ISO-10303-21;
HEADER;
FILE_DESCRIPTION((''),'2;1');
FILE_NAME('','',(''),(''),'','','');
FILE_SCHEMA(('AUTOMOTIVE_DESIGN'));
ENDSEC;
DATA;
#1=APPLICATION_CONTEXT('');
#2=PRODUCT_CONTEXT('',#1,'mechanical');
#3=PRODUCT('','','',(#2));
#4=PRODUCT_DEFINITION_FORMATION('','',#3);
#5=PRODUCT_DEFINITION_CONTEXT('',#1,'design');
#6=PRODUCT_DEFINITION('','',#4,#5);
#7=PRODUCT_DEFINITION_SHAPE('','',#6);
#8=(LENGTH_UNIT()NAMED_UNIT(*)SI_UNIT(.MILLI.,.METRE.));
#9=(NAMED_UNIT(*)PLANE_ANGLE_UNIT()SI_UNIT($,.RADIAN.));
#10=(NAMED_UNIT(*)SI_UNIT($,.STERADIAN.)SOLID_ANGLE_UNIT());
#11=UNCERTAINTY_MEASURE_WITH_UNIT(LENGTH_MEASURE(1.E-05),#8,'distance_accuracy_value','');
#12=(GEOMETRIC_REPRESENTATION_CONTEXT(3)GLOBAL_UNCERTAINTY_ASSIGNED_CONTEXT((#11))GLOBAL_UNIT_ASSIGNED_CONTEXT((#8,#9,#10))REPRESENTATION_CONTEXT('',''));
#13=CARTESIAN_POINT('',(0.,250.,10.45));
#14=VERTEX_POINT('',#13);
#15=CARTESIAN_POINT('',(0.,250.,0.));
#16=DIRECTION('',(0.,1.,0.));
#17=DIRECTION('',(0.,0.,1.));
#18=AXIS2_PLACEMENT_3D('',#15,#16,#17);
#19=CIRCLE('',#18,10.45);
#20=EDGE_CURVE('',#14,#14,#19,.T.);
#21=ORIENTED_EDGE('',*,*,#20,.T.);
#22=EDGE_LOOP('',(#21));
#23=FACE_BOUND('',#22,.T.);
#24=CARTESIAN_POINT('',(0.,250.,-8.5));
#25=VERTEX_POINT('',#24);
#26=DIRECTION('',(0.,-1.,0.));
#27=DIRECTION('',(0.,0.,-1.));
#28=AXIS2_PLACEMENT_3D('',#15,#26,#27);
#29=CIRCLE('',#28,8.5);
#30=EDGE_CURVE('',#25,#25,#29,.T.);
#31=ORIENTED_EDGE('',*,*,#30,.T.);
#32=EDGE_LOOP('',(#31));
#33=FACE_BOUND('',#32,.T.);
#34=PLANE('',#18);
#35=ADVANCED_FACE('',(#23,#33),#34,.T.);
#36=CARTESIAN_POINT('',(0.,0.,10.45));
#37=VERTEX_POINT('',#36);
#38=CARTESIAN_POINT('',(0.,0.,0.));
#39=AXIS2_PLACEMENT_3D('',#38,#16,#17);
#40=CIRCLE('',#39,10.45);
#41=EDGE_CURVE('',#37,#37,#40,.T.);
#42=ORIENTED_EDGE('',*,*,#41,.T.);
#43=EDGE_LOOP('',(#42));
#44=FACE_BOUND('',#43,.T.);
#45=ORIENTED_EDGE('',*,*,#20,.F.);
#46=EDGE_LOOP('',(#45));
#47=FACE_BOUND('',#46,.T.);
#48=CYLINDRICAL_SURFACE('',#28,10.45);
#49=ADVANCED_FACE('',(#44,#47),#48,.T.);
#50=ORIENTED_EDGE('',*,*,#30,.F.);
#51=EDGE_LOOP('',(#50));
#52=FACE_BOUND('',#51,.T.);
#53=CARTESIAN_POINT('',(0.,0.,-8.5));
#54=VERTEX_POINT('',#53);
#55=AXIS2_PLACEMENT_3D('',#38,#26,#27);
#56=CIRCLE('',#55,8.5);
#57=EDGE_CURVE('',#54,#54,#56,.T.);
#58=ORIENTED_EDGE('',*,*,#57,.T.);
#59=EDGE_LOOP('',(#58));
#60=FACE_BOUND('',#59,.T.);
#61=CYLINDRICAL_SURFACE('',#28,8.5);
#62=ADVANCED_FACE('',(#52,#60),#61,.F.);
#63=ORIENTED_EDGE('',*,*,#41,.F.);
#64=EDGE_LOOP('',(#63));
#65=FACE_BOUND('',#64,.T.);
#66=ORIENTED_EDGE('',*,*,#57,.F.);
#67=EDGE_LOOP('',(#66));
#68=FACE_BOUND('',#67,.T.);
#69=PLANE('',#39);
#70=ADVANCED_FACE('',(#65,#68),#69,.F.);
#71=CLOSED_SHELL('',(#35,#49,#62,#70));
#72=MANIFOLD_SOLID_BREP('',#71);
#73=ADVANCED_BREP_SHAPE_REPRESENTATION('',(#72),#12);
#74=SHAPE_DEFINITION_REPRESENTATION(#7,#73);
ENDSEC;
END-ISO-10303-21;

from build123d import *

# Parameters (mm, degrees)
SKETCH1_R           = 10.45
BOSS_EXTRUDE1_DEPTH = 250
SKETCH2_R           = 8.5
CUT_EXTRUDE1_DEPTH  = 251.436429059


with BuildPart() as part:
    # Sketch1 → Boss-Extrude1 (new body)
    with BuildSketch(Plane(origin=(0, 0, 0), x_dir=(1, 0, 0), z_dir=(0, 1, 0))):
        with Locations(Location((0, 0, 0), (0, 0, 270))):
            Circle(SKETCH1_R)
    extrude(amount=BOSS_EXTRUDE1_DEPTH)

    # Sketch2 → Cut-Extrude1 (cut, through all)
    with BuildSketch(Plane(origin=(0, 0, 0), x_dir=(-1, 0, 0), z_dir=(0, -1, 0))):
        with Locations(Location((0, 0, 0), (0, 0, 90))):
            Circle(SKETCH2_R)
    extrude(amount=-CUT_EXTRUDE1_DEPTH, mode=Mode.SUBTRACT)


solid = part.part
